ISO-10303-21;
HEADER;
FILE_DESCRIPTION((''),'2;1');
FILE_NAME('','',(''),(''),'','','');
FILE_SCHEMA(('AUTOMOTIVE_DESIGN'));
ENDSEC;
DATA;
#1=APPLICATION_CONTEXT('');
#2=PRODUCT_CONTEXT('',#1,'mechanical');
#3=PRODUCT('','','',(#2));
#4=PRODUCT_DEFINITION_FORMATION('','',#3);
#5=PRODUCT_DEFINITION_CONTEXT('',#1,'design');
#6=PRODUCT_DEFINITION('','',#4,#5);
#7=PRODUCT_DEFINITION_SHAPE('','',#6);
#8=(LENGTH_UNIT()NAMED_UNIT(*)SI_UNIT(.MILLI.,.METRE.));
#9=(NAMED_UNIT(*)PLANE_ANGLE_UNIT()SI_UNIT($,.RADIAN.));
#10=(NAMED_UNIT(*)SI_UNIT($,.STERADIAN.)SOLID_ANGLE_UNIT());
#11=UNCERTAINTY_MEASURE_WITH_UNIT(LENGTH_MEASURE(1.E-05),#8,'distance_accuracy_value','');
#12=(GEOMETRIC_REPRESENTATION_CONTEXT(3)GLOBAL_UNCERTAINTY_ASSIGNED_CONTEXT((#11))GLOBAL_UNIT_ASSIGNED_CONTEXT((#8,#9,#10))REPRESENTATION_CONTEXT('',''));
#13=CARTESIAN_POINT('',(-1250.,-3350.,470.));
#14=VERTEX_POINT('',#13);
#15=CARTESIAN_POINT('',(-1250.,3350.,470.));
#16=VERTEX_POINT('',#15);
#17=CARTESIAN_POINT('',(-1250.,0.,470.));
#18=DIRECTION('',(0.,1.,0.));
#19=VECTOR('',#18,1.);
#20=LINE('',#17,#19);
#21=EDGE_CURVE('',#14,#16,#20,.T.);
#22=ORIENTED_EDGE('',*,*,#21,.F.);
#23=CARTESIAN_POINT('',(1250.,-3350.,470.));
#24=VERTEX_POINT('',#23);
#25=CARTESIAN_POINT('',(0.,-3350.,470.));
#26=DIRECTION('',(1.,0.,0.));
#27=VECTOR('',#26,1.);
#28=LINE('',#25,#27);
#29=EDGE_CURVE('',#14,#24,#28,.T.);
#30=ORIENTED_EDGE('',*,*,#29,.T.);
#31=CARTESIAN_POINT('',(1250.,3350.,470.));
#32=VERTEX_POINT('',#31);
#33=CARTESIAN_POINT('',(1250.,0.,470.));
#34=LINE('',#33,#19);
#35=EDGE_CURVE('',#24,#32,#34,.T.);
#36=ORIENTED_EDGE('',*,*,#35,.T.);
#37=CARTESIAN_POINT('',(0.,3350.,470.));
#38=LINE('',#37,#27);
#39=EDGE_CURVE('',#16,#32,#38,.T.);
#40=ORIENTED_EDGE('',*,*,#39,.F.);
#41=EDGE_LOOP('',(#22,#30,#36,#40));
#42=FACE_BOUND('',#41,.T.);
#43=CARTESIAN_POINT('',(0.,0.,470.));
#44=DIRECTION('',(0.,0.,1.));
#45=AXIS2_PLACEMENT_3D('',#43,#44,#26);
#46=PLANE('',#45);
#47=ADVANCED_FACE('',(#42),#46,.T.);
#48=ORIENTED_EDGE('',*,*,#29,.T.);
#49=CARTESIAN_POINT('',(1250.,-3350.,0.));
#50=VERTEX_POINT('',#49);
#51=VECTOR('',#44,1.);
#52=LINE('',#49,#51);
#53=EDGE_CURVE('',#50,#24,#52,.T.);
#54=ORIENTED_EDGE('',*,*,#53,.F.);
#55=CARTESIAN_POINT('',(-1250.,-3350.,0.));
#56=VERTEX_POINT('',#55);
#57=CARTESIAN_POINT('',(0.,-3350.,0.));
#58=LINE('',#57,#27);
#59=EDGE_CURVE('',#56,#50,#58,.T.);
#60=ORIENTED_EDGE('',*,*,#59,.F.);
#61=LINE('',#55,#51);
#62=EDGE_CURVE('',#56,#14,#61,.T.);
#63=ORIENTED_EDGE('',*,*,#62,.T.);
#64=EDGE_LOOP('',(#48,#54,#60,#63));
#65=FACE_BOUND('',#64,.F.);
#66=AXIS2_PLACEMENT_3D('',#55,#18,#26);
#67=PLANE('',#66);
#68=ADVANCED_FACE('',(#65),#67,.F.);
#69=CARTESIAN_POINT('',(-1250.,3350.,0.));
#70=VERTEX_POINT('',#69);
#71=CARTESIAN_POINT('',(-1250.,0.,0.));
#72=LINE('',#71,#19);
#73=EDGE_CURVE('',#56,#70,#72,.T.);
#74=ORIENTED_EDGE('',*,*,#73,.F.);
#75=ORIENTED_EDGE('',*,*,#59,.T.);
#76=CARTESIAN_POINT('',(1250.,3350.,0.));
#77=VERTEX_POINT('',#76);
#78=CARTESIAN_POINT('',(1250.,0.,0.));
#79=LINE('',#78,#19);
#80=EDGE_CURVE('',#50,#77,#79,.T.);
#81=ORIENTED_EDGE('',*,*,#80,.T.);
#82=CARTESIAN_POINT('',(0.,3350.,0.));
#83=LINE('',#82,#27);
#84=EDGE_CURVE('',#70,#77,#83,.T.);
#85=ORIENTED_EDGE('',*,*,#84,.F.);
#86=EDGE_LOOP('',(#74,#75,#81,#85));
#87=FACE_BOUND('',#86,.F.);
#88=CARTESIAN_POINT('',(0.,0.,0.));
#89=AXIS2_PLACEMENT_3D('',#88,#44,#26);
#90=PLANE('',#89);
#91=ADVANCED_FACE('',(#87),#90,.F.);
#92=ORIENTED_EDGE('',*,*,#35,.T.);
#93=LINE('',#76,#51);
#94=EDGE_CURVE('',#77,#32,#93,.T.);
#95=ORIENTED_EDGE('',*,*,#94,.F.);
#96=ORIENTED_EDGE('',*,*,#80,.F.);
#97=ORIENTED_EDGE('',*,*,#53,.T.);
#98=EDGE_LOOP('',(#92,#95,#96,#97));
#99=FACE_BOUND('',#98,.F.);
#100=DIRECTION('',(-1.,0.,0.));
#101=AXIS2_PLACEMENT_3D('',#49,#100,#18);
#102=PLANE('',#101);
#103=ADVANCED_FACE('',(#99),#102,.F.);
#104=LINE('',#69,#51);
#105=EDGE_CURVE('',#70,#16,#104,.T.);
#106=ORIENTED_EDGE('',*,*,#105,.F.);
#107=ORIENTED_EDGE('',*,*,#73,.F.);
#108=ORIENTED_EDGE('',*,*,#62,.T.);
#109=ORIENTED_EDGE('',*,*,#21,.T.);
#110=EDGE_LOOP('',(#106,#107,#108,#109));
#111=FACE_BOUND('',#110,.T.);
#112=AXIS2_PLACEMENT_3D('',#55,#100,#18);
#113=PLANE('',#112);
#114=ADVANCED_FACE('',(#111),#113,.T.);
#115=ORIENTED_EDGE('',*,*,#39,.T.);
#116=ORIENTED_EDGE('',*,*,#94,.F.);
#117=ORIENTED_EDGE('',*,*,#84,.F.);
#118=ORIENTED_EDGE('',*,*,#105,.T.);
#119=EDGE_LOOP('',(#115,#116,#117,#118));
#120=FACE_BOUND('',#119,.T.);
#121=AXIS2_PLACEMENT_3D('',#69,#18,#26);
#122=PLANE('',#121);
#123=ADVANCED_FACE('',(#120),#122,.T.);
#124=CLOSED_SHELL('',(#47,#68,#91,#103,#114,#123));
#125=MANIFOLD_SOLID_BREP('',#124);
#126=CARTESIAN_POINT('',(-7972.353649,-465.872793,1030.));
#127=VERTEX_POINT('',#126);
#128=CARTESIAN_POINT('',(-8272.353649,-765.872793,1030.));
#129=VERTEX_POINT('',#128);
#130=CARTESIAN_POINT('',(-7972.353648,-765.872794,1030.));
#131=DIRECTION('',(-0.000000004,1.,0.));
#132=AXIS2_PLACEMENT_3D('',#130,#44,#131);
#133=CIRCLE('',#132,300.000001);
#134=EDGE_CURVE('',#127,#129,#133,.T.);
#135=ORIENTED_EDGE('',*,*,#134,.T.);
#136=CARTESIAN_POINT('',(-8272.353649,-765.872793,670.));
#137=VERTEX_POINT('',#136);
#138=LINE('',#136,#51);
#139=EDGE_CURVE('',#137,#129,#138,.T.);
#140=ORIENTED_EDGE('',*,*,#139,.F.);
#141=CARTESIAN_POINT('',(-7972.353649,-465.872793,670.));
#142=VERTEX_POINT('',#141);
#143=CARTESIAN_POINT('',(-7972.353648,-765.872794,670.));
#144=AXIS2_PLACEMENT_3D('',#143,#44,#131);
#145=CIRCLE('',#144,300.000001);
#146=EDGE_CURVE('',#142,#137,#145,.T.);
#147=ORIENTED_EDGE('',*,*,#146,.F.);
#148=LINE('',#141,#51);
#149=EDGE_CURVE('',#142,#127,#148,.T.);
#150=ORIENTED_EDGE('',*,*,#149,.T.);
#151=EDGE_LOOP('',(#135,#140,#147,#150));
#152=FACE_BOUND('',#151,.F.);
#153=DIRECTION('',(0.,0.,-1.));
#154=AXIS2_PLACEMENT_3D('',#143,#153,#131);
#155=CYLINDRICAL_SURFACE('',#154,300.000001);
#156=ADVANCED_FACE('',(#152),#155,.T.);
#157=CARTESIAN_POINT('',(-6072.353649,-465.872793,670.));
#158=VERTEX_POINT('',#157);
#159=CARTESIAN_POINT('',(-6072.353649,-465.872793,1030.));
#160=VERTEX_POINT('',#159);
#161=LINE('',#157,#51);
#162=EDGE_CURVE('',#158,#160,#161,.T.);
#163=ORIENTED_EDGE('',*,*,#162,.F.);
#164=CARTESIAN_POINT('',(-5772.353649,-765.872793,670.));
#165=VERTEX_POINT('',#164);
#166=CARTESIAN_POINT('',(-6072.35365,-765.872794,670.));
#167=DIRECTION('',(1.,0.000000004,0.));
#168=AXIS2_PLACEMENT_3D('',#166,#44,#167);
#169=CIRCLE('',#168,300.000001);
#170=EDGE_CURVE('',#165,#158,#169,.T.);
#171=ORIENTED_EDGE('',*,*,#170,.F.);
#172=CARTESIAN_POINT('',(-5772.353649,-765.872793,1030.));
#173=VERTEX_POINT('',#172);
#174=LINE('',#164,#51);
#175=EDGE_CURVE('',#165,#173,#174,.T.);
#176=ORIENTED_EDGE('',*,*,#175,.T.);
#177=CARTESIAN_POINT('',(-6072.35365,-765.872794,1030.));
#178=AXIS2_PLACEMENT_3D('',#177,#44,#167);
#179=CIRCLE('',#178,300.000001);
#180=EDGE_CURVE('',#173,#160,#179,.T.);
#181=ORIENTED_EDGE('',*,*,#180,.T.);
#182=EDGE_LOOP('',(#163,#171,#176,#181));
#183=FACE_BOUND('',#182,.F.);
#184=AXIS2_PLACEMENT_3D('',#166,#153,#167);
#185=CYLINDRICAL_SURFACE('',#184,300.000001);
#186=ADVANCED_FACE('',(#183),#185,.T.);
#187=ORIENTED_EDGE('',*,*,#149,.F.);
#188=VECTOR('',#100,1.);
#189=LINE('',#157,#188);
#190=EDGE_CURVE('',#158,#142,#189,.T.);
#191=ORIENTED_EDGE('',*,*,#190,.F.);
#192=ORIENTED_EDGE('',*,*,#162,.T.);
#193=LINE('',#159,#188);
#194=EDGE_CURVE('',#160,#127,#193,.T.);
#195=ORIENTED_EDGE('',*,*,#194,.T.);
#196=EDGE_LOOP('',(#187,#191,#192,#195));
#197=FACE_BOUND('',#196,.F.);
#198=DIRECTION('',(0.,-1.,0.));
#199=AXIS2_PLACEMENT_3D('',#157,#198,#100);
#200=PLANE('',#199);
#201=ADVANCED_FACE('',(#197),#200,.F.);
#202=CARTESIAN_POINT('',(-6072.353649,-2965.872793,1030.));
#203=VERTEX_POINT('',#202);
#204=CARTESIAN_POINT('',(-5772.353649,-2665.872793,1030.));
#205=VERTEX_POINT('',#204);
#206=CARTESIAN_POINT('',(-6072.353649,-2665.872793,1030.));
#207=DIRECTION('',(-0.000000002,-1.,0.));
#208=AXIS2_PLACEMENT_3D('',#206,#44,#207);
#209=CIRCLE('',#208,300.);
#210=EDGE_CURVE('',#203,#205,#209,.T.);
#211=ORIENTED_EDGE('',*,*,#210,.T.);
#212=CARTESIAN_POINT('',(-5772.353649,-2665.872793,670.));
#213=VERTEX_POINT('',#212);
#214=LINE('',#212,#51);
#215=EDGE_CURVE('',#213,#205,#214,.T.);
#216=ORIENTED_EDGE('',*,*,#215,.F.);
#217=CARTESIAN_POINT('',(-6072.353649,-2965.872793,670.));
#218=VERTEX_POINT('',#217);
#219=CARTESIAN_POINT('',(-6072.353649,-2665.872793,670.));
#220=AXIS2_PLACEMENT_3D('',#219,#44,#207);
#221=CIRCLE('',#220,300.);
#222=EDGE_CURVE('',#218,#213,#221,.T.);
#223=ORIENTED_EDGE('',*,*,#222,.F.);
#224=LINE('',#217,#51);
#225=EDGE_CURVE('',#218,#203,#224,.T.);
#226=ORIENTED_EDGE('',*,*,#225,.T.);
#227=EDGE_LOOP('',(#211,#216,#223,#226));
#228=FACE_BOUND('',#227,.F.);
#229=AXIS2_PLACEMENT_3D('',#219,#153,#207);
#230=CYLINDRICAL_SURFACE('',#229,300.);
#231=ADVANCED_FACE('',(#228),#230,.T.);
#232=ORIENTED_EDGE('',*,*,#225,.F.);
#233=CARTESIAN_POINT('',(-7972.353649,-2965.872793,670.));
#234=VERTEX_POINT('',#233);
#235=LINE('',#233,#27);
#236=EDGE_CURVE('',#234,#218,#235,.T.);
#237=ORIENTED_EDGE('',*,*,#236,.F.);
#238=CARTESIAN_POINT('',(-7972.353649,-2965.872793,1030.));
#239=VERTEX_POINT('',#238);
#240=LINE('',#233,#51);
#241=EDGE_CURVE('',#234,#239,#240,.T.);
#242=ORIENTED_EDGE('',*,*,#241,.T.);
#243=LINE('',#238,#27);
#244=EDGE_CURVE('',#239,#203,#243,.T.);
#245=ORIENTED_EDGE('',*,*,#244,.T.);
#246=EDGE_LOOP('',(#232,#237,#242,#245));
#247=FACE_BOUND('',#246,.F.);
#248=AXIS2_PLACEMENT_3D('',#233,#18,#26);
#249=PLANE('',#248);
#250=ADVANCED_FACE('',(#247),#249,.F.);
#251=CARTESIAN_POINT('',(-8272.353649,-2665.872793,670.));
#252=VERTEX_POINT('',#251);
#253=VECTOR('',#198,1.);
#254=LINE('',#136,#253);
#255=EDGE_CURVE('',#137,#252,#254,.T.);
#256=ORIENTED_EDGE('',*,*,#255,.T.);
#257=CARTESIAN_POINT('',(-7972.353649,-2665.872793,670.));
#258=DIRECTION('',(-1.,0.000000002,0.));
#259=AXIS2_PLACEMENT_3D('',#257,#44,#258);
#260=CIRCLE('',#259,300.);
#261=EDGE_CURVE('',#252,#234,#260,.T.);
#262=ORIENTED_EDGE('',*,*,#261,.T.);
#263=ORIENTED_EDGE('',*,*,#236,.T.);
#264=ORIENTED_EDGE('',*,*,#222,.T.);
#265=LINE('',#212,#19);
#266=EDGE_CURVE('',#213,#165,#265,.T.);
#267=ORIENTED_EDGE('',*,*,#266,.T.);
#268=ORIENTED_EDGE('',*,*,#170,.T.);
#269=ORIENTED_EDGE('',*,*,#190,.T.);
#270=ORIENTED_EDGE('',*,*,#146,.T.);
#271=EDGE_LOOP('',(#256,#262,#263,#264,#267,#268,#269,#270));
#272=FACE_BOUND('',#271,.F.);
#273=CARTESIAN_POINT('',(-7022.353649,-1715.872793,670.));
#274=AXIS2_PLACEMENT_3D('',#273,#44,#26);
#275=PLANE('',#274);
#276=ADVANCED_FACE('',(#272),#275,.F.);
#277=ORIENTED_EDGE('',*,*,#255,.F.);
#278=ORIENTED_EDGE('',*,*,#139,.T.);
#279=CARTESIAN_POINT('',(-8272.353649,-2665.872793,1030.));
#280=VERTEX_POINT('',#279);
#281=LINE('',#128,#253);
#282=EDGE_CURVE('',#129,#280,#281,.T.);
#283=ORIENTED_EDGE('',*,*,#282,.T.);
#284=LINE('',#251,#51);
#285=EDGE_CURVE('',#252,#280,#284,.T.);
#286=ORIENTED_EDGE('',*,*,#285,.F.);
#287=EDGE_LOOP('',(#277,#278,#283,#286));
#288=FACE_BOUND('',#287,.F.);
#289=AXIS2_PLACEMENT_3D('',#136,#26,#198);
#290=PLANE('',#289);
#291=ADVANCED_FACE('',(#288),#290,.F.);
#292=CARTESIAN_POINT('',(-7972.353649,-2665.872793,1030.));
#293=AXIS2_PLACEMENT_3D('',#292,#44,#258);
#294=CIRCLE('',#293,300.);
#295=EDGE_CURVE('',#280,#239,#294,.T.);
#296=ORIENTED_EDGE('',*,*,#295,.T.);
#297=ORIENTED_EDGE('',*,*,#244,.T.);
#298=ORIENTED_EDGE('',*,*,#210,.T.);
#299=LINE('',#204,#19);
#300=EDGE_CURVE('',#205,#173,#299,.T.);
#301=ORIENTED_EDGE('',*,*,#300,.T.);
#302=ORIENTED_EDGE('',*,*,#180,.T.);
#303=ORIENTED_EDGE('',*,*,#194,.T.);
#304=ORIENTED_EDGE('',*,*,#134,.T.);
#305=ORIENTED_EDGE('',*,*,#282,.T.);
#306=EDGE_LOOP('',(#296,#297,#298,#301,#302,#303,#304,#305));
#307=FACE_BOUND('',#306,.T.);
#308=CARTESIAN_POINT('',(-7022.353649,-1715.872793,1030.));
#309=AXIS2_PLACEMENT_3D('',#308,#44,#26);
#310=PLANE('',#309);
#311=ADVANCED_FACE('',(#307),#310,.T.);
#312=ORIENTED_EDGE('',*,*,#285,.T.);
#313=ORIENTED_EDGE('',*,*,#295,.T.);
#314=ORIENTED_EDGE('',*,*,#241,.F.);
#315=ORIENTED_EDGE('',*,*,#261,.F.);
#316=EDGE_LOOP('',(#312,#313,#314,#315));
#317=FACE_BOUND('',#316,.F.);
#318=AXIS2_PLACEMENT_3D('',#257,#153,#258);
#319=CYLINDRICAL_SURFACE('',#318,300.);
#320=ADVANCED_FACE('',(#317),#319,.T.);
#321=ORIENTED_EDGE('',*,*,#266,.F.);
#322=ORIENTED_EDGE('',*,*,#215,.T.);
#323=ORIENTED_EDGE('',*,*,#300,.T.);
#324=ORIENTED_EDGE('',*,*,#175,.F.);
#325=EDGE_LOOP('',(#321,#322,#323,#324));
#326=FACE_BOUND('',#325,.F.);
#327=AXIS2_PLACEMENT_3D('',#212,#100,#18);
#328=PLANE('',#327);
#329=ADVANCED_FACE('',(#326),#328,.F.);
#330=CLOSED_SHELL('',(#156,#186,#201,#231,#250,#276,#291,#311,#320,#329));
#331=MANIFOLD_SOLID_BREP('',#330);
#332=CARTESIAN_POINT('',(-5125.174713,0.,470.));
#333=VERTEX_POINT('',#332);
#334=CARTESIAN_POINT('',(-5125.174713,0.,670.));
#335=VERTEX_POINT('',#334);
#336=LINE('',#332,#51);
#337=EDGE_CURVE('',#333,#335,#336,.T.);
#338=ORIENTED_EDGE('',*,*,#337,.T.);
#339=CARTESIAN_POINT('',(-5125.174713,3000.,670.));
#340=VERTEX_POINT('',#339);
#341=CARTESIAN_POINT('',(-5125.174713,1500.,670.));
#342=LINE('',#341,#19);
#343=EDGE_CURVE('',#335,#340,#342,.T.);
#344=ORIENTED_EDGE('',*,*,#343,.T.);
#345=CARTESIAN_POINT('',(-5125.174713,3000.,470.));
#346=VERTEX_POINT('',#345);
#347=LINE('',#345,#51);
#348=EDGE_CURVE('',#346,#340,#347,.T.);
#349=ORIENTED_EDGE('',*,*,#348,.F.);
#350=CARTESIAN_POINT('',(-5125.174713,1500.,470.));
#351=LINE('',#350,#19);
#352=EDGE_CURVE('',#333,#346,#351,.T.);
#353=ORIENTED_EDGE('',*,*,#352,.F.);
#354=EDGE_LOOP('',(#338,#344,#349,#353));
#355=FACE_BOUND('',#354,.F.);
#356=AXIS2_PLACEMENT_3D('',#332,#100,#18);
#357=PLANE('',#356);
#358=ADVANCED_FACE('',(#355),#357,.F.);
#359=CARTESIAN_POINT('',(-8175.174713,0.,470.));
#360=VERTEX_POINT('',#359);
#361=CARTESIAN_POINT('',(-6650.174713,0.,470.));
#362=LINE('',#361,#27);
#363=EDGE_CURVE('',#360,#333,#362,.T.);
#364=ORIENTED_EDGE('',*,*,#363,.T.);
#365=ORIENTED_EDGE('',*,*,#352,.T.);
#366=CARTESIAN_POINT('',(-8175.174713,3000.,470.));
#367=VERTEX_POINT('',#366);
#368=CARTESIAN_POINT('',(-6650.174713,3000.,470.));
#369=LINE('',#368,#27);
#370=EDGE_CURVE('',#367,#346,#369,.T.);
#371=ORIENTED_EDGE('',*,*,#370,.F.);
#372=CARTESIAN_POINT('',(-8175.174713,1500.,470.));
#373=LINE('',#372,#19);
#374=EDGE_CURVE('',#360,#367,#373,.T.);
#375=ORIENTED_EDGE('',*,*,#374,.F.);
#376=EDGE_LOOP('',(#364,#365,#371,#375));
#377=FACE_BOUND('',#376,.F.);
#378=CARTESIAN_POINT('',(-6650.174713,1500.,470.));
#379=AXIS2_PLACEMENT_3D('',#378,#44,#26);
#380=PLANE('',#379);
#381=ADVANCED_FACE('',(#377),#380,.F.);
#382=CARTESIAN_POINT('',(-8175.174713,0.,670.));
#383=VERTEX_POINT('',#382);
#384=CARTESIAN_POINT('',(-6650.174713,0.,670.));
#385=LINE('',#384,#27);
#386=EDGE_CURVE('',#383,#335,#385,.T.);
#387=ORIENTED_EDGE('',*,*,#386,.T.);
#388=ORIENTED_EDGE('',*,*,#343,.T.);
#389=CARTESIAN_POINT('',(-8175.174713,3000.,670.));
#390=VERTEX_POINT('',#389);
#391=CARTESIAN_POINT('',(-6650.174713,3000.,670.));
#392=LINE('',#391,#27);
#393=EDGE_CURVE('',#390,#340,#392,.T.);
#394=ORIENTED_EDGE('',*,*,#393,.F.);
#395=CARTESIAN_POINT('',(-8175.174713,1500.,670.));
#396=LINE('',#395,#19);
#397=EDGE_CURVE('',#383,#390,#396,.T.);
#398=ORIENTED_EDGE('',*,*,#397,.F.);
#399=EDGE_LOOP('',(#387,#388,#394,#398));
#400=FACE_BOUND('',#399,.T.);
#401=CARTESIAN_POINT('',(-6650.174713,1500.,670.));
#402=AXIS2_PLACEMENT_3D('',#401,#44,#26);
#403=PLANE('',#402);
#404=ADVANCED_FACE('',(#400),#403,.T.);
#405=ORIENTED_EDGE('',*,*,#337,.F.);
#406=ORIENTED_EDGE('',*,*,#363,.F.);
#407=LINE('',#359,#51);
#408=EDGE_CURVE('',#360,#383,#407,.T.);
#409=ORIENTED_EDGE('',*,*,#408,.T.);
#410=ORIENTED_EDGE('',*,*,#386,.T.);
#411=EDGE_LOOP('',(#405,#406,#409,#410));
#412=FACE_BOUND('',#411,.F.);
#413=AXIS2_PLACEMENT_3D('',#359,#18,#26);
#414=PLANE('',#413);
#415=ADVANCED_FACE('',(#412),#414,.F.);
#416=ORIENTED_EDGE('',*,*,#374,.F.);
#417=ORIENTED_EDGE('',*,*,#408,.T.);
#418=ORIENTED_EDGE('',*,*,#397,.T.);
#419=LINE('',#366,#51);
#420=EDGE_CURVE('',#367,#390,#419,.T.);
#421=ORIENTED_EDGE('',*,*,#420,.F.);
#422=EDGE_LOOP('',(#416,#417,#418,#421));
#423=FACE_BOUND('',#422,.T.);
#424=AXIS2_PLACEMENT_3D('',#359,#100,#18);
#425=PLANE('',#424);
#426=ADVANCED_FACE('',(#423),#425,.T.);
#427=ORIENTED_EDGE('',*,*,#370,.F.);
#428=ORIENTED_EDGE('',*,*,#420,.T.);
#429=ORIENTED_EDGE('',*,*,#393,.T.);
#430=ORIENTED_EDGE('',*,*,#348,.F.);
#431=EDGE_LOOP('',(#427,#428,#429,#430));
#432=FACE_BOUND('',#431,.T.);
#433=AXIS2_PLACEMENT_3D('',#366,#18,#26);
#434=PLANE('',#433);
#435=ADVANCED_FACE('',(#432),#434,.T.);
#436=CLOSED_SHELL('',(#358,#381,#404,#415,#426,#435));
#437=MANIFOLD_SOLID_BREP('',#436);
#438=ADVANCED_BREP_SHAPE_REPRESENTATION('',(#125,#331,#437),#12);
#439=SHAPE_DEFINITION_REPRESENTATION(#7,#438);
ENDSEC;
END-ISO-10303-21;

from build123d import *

# Parameters (mm, degrees)
F0_W     = 2500
F0_H     = 6700
F1_DEPTH = 470
F2_W     = 3050
F2_H     = 3000
F3_DEPTH = 200
F5_DEPTH = 360


with BuildPart() as f1:
    # F0 (on Top) → F1 (new body)
    with BuildSketch(Plane.XY):
        Rectangle(F0_W, F0_H)
    extrude(amount=F1_DEPTH)


with BuildPart() as f3:
    # F2 (on face) → F3 (new body)
    with BuildSketch(Plane.XY.offset(470)):
        with Locations((-6650.174713, 1500)):
            Rectangle(F2_W, F2_H)
    extrude(amount=F3_DEPTH)


with BuildPart() as f5:
    # F4 (on face) → F5 (new body)
    with BuildSketch(Plane.XY.offset(670)):
        with BuildLine():
            Line((-7972.353649, -2965.872793), (-6072.353649, -2965.872793))
            ThreePointArc((-6072.353649, -2965.872793), (-5860.221615, -2878.004828), (-5772.353649, -2665.872793))
            Line((-5772.353649, -2665.872793), (-5772.353649, -765.872793))
            ThreePointArc((-5772.353649, -765.872793), (-5860.221615, -553.740759), (-6072.353649, -465.872793))
            Line((-6072.353649, -465.872793), (-7972.353649, -465.872793))
            ThreePointArc((-7972.353649, -465.872793), (-8184.485683, -553.740759), (-8272.353649, -765.872793))
            Line((-8272.353649, -765.872793), (-8272.353649, -2665.872793))
            ThreePointArc((-8272.353649, -2665.872793), (-8184.485683, -2878.004828), (-7972.353649, -2965.872793))
        make_face()
    extrude(amount=F5_DEPTH)


solid = Compound([f1.part, f3.part, f5.part])
